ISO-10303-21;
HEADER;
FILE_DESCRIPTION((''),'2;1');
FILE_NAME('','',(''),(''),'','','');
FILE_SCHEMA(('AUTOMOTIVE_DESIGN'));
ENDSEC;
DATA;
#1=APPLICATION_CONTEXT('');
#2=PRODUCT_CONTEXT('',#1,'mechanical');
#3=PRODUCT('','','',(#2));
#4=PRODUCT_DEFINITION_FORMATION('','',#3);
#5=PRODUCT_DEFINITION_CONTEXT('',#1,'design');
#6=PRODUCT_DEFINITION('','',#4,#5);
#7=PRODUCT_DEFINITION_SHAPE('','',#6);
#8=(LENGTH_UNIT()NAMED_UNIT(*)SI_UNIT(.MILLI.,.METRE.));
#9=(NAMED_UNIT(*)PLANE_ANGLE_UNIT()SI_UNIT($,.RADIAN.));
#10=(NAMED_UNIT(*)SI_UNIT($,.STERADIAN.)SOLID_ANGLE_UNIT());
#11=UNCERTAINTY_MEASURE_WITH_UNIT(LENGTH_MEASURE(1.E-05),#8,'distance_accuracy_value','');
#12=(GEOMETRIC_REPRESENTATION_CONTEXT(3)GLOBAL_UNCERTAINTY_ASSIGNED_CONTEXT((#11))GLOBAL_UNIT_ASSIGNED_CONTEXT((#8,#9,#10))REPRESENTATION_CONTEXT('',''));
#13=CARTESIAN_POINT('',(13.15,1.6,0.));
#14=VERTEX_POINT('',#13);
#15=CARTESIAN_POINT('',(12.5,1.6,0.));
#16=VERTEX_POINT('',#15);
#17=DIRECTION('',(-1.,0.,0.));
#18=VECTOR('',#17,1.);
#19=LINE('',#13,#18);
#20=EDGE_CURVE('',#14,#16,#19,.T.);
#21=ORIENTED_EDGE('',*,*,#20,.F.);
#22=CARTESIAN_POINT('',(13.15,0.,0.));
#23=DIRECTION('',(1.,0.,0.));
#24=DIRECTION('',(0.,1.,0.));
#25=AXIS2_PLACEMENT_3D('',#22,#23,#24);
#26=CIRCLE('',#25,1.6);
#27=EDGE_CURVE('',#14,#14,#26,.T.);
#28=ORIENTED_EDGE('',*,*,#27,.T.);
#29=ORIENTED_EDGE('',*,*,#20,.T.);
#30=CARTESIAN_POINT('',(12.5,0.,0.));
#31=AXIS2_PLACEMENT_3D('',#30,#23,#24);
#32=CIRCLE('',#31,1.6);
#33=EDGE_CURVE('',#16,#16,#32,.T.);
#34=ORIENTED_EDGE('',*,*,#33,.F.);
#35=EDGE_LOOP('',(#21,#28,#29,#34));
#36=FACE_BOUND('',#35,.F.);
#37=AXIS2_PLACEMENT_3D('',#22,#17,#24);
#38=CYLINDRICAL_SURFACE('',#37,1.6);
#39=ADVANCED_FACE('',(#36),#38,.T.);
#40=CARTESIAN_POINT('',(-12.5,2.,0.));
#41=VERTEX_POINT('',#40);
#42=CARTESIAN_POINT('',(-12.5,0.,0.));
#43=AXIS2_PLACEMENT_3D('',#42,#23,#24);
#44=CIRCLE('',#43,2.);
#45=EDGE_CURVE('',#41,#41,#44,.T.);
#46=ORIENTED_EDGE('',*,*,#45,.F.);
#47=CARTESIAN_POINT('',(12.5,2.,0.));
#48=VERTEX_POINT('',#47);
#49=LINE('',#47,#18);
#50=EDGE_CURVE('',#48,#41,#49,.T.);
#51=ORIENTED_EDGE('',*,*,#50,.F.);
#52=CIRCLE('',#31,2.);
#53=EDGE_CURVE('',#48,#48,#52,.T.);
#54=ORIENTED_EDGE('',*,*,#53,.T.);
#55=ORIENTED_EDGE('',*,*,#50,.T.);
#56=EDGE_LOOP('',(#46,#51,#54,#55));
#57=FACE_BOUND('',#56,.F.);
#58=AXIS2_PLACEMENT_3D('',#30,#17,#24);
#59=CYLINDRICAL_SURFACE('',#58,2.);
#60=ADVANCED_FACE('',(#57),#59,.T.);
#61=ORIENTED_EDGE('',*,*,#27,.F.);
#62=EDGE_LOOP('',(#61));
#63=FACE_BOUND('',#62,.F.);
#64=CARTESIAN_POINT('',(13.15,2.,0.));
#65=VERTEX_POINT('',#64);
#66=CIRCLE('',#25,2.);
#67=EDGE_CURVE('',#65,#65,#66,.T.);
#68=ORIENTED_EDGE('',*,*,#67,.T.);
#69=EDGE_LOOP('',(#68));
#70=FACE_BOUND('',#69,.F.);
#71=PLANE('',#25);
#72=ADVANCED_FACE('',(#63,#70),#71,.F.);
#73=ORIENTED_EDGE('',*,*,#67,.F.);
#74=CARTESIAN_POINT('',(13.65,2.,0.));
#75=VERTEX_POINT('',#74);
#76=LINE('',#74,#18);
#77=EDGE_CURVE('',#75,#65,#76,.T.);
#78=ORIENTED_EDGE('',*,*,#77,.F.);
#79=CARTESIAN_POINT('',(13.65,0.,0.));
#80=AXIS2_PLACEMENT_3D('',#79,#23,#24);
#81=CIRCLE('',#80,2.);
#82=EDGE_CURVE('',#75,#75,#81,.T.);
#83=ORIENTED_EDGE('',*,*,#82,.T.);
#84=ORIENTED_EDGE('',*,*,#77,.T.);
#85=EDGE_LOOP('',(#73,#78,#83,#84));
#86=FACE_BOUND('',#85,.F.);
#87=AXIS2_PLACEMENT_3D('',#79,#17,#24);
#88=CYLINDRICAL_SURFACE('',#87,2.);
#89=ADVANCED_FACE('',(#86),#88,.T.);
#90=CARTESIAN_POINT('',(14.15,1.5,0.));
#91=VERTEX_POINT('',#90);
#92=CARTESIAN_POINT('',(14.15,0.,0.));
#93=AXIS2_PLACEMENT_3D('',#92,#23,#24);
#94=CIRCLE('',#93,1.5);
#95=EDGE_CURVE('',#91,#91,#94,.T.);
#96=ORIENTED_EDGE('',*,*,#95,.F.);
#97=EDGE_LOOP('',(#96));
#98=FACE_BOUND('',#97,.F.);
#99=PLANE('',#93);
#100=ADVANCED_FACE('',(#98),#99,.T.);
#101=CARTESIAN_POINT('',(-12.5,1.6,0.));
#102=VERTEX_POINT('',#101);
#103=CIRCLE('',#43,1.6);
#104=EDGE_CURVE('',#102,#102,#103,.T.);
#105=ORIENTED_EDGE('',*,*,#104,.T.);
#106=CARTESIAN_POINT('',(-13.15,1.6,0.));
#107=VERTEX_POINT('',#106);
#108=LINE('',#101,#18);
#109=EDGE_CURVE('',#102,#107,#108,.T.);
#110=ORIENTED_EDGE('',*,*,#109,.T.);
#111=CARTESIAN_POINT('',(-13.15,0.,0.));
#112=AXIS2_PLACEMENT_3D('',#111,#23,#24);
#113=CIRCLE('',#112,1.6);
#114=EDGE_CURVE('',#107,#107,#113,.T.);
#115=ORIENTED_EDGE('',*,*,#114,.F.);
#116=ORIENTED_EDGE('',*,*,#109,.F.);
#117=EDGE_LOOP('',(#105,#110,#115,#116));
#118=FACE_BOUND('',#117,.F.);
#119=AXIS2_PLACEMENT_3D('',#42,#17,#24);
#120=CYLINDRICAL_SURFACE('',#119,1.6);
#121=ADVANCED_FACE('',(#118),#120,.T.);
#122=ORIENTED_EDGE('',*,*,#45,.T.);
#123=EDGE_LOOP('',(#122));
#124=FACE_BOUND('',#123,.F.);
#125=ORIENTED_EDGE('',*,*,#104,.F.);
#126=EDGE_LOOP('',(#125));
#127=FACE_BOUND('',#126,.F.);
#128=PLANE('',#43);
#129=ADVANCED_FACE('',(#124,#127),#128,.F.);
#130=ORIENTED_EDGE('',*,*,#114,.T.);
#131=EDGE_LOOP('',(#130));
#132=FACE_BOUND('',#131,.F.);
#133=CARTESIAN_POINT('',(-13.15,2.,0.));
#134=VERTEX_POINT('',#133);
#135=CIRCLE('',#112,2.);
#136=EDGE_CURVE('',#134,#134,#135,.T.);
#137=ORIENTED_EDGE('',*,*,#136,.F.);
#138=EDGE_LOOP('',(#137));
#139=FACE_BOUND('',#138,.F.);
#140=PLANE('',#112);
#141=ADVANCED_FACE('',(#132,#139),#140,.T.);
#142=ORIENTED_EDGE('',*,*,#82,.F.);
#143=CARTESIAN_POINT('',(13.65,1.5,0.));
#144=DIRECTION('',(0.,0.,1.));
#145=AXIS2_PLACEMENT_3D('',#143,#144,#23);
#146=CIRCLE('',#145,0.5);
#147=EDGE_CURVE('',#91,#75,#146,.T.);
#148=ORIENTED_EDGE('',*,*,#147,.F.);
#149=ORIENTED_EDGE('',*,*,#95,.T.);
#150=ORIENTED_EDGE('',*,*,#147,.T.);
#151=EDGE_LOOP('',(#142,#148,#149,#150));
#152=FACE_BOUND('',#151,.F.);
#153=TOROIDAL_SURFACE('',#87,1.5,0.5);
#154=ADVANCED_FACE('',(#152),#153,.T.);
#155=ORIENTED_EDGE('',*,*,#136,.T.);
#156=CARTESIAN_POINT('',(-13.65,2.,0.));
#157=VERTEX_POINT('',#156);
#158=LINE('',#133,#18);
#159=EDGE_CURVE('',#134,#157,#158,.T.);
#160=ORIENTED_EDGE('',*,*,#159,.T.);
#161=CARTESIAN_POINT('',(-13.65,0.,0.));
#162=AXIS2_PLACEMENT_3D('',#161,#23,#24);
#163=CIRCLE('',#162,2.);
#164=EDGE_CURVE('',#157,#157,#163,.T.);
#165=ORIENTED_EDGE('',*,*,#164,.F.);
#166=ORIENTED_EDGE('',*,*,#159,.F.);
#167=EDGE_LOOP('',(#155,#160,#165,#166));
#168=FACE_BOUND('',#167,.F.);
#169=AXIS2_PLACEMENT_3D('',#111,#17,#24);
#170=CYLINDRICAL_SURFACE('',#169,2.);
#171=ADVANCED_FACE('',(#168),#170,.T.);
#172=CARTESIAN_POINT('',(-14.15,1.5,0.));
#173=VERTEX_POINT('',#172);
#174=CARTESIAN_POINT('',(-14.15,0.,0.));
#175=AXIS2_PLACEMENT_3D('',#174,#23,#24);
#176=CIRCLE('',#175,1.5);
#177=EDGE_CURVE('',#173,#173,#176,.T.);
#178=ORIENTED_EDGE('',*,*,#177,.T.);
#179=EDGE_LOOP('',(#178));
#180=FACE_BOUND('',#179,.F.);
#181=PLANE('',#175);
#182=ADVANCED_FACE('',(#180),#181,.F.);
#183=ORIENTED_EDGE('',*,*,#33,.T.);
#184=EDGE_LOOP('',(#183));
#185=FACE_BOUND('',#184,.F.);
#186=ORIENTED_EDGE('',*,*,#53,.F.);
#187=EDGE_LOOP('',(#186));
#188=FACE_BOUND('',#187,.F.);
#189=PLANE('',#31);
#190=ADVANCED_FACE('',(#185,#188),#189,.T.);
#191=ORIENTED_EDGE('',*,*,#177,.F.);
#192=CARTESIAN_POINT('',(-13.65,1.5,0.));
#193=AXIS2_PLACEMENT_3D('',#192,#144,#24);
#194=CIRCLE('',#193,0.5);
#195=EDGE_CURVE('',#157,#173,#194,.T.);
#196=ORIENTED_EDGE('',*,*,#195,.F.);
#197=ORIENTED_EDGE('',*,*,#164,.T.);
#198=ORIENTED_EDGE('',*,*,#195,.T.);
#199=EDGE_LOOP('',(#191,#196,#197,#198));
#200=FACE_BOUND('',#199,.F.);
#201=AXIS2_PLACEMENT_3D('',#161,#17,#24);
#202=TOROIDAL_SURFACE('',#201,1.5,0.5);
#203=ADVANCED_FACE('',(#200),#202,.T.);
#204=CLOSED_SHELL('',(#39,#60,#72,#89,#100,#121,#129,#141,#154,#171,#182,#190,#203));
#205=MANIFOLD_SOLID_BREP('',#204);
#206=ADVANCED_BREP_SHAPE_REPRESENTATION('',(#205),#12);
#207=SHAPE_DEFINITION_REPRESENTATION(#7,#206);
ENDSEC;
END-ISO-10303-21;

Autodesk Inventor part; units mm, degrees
ref_plane "YZ Plane" through (0, 0, 0) normal (1, 0, 0) x (0, 1, 0)
ref_plane "XZ Plane" through (0, 0, 0) normal (0, 1, 0) x (-1, 0, 0)
ref_plane "XY Plane" through (0, 0, 0) normal (0, 0, 1) x (1, 0, 0)
sketch "Sketch1" plane through (0, 0, 0) normal (0, 0, 1) x (1, 0, 0)
  line L0 (-14.15, 0) -> (14.15, 0)
  line L1 (14.15, 0) -> (14.15, 1.5)
  line L2 (13.65, 2) -> (13.15, 2)
  line L3 (13.15, 2) -> (13.15, 1.6)
  line L4 (13.15, 1.6) -> (12.5, 1.6)
  line L5 (12.5, 1.6) -> (12.5, 2)
  line L6 (12.5, 2) -> (-12.5, 2)
  line L7 (-12.5, 2) -> (-12.5, 1.6)
  line L8 (-12.5, 1.6) -> (-13.15, 1.6)
  line L9 (-13.15, 1.6) -> (-13.15, 2)
  line L10 (-13.15, 2) -> (-13.65, 2)
  line L11 (-14.15, 1.5) -> (-14.15, 0)
  arc A0 (-13.65, 2) -> (-14.15, 1.5) centre (-13.65, 1.5) ccw
  arc A1 (14.15, 1.5) -> (13.65, 2) centre (13.65, 1.5) ccw
  point P0 (0, 0)
  point P1 (14.15, 2)
  point P2 (-14.15, 2)
  point P3 (0, 0)
  dimension "d0" = 25
  dimension "d1" = 0.65
  dimension "d2" = 1
  dimension "d3" = 2
  dimension "d4" = 1.6
  dimension "d5" = 1.6
  dimension "d6" = 0.5
  dimension "d7" = 1
  dimension "d8" = 0.5
revolve "Revolution1" add sketch "Sketch1" angle 360 about axis through (-14.15, 0, 0) along (1, 0, 0)
equation "\"d5\" = d4"
properties part number "Component 25 (Rocker Arm Axle)"
